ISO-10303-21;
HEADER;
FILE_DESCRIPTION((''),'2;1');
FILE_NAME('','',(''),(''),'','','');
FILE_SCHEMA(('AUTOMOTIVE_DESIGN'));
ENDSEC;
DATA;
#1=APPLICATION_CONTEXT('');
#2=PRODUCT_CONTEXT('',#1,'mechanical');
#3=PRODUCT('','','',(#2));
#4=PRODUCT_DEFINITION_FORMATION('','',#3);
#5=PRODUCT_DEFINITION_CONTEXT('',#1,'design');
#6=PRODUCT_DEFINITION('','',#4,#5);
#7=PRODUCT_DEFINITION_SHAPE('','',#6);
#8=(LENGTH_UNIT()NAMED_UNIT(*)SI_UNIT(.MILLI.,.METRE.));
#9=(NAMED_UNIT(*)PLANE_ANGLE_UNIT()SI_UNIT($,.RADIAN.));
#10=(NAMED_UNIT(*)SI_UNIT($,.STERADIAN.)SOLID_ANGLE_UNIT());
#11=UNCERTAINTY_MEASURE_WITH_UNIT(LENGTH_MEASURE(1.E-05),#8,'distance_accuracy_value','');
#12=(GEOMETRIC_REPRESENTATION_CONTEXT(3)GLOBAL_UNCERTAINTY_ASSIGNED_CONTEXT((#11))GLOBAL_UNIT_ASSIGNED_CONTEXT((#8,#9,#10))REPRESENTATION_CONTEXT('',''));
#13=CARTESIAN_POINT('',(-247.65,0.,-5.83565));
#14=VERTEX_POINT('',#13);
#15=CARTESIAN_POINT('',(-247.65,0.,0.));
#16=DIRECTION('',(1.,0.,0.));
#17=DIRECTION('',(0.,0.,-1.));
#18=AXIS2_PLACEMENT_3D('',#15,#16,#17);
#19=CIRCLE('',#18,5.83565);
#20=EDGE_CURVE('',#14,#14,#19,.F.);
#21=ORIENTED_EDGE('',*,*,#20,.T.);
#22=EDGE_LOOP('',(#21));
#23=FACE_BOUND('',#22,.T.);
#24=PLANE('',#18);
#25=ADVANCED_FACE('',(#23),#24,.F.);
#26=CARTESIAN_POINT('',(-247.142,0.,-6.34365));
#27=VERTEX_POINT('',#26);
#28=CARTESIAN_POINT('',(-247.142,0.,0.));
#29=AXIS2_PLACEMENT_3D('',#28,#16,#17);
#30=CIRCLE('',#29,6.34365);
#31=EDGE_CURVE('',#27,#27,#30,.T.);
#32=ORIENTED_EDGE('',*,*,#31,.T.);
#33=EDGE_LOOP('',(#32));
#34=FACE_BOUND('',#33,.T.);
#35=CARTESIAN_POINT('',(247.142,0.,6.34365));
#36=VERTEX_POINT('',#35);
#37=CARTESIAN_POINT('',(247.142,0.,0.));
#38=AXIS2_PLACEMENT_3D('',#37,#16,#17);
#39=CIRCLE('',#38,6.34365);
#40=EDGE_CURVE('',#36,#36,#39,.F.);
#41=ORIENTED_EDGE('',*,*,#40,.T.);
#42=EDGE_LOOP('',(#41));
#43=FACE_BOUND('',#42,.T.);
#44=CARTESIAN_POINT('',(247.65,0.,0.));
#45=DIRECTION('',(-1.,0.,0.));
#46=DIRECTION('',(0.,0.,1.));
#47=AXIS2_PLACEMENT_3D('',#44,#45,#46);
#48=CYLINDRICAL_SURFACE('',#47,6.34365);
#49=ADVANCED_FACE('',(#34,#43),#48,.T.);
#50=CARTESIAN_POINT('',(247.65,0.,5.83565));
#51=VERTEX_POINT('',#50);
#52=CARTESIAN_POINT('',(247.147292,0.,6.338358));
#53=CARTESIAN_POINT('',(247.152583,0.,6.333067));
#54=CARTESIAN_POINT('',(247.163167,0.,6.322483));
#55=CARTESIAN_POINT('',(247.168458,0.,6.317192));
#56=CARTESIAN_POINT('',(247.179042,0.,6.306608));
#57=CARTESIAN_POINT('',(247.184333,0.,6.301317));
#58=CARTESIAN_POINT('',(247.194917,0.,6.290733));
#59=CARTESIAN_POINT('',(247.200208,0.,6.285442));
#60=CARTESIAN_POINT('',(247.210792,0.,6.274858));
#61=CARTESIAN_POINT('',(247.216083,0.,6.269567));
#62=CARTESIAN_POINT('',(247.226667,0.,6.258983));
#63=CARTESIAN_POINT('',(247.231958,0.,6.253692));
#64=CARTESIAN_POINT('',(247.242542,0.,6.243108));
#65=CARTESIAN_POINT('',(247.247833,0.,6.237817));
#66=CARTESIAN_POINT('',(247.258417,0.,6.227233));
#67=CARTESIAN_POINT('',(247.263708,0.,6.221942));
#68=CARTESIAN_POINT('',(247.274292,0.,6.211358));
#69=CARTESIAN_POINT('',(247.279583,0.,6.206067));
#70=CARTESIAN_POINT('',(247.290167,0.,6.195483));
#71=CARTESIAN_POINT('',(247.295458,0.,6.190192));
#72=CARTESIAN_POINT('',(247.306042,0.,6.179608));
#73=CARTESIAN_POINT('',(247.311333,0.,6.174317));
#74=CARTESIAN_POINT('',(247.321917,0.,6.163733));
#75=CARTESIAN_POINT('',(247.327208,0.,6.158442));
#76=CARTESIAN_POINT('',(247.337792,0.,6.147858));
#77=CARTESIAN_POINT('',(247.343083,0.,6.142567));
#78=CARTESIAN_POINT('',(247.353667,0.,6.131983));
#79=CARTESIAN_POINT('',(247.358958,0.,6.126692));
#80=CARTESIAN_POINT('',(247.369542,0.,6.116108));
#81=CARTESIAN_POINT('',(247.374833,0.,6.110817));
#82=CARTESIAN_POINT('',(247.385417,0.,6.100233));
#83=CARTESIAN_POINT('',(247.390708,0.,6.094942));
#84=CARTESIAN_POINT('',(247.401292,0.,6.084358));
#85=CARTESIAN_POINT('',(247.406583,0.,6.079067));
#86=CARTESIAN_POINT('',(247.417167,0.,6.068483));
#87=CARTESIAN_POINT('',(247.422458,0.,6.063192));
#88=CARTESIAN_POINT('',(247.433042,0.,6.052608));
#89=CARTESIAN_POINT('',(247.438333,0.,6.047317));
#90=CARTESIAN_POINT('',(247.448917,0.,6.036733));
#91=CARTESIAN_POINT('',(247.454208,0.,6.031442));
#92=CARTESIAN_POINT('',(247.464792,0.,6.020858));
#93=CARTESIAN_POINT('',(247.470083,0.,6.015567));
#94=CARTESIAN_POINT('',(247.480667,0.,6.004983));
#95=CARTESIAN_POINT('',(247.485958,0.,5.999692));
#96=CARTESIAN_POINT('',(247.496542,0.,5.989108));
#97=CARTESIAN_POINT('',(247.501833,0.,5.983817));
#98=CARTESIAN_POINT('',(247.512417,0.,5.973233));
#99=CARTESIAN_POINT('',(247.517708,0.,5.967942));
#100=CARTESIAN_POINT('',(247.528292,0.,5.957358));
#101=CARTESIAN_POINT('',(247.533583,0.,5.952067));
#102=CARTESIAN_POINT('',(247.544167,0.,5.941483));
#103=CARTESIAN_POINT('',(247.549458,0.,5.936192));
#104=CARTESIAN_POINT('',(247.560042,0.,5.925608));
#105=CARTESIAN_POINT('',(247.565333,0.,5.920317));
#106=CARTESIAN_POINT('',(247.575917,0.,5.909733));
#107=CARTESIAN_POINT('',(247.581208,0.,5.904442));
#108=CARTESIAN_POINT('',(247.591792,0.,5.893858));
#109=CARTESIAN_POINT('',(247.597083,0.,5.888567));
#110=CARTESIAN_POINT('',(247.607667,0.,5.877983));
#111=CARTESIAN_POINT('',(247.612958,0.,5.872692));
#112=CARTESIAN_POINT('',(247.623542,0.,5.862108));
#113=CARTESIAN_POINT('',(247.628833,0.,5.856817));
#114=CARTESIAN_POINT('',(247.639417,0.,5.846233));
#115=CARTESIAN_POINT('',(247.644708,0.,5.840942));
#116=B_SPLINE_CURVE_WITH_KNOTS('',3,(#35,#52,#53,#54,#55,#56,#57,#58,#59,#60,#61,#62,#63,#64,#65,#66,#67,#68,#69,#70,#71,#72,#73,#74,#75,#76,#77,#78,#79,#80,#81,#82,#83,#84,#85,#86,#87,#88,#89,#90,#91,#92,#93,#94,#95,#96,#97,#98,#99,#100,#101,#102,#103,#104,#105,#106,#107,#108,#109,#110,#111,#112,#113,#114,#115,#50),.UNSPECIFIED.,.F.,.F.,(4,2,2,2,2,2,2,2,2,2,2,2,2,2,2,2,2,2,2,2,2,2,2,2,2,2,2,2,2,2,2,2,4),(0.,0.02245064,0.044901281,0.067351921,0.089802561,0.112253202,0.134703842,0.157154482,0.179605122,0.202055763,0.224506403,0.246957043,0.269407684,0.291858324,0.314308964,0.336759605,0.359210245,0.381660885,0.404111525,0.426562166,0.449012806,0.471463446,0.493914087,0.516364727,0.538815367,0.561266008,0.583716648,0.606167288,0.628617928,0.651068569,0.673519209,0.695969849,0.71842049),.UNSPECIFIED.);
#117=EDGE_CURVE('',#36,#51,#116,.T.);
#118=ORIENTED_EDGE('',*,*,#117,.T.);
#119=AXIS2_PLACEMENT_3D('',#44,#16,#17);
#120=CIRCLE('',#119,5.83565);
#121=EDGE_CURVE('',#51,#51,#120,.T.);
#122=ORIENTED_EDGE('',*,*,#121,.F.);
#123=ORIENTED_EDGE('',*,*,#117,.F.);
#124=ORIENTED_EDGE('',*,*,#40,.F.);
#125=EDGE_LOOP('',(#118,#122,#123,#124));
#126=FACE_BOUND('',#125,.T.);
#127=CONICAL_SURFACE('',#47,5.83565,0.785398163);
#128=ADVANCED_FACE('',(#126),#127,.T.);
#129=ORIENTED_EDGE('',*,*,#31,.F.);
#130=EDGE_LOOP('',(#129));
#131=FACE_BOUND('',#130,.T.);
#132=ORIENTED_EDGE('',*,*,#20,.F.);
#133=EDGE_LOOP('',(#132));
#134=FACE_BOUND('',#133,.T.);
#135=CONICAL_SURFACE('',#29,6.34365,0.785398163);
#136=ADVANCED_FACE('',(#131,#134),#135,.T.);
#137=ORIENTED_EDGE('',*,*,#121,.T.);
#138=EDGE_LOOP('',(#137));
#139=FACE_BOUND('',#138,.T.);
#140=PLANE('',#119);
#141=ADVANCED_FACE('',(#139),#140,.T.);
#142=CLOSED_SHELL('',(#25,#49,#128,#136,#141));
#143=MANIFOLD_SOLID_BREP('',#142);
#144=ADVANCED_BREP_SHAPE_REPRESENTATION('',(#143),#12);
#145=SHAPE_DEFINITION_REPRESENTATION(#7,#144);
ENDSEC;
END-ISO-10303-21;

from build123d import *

# Parameters (mm, degrees)
SKETCH1_R           = 6.34365
BOSS_EXTRUDE1_DEPTH = 247.65
CHAMFER1_SIZE       = 0.508


with BuildPart() as part:
    # Sketch1 → Boss-Extrude1 (new, symmetric)
    with BuildSketch(Plane(origin=(0, 0, 0), x_dir=(0, 0, -1), z_dir=(1, 0, 0))):
        Circle(SKETCH1_R)
    extrude(amount=BOSS_EXTRUDE1_DEPTH, both=True)

    # Chamfer1
    chamfer1_edges = [part.edges().sort_by_distance(p)[0] for p in [
        (-247.65, 0, 6.34365),
        (247.65, 0, 6.34365),
    ]]
    chamfer(chamfer1_edges, length=CHAMFER1_SIZE)


solid = part.part
